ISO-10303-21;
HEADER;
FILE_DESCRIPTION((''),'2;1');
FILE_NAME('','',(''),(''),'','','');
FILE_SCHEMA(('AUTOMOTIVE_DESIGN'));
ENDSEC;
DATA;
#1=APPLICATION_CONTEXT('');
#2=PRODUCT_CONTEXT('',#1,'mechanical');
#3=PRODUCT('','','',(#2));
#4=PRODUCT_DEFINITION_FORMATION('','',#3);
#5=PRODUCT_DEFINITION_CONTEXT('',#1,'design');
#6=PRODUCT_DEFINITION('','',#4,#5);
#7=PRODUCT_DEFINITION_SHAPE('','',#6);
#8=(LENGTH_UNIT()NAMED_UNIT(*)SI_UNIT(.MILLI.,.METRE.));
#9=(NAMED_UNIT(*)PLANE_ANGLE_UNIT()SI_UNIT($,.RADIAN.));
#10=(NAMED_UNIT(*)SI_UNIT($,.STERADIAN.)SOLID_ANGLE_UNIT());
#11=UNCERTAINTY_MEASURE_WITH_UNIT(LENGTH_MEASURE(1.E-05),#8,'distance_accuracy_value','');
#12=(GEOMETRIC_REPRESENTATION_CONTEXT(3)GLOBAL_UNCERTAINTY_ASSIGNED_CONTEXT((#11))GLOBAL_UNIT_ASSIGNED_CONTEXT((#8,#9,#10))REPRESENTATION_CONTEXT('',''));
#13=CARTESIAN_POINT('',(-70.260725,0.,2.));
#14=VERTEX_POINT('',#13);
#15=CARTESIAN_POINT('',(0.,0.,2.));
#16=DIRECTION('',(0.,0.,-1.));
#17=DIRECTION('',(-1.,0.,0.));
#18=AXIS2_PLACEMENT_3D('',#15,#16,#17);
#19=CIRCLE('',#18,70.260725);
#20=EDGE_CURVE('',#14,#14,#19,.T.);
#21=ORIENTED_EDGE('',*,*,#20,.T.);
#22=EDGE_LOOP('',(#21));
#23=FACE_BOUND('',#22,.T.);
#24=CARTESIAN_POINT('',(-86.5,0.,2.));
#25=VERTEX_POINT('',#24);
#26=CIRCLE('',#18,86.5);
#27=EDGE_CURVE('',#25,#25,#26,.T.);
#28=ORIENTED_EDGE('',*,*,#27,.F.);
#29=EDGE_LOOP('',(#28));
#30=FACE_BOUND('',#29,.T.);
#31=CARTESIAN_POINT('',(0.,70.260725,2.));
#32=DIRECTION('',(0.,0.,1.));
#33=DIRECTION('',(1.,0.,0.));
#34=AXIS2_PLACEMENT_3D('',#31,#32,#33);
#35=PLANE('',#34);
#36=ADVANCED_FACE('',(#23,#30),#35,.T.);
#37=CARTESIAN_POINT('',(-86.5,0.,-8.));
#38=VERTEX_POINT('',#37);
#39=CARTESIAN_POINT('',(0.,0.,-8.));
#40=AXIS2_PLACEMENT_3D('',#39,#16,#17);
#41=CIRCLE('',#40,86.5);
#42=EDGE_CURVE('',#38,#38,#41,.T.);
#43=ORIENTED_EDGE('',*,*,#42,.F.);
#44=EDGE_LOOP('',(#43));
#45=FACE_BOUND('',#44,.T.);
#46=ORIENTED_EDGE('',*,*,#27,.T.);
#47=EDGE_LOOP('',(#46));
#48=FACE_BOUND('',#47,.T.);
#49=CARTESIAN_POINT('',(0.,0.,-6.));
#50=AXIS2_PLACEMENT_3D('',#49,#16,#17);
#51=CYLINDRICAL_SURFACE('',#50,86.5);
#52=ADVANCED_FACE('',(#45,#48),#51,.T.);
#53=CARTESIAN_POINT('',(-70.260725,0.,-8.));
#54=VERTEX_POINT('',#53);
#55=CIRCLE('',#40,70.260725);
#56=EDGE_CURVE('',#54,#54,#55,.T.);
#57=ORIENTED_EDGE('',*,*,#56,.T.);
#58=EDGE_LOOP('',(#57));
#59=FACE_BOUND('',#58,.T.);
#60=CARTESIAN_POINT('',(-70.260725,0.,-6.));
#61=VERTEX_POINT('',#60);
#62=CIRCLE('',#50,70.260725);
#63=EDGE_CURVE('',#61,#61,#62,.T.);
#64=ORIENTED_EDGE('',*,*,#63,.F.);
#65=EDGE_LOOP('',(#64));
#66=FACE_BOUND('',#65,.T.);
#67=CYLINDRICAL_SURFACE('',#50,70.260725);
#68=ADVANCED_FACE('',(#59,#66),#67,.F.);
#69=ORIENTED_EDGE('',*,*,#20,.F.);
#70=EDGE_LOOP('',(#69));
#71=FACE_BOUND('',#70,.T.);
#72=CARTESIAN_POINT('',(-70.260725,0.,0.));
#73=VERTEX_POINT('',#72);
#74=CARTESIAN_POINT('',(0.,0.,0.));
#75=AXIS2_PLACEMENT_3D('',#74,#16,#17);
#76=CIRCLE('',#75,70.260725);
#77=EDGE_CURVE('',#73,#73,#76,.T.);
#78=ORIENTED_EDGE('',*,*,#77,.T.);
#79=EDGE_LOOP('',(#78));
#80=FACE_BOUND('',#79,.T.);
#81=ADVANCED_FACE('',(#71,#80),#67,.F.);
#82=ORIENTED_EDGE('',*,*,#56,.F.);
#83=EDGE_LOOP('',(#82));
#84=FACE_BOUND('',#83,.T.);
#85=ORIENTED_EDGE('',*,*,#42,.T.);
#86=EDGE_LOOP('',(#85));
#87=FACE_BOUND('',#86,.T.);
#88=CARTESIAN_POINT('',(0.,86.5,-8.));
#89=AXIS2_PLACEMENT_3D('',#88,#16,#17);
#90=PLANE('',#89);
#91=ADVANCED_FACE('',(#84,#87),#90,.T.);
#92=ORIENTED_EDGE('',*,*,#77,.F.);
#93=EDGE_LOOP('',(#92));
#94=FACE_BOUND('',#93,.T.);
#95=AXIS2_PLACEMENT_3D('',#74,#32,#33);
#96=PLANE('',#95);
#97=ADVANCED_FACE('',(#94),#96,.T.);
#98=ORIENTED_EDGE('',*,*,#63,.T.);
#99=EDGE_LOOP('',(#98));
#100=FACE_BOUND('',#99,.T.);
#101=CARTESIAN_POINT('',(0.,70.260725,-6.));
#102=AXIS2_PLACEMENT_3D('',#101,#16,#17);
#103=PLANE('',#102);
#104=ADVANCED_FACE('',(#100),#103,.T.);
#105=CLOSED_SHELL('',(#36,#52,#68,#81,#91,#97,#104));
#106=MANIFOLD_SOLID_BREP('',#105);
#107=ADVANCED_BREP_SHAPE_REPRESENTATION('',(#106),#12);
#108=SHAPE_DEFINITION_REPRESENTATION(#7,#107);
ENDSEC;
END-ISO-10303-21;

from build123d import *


with BuildPart() as part:
    # Esquisse1 → Révolution1 (revolve)
    with BuildSketch(Plane(origin=(0, 0, 0), x_dir=(0, 0, -1), z_dir=(1, 0, 0)), mode=Mode.PRIVATE) as r_volution1_sk:
        Polygon((0, 0), (0, 70.260725461), (-2, 70.260725461), (-2, 86.5), (8, 86.5), (8, 70.260725461), (6, 70.260725461), (6, 0), align=None)
    revolve(r_volution1_sk.sketch.rotate(Axis((0, 0, -6), (0, 0, 1)), 90), axis=Axis((0, 0, -6), (0, 0, 1)))


solid = part.part
